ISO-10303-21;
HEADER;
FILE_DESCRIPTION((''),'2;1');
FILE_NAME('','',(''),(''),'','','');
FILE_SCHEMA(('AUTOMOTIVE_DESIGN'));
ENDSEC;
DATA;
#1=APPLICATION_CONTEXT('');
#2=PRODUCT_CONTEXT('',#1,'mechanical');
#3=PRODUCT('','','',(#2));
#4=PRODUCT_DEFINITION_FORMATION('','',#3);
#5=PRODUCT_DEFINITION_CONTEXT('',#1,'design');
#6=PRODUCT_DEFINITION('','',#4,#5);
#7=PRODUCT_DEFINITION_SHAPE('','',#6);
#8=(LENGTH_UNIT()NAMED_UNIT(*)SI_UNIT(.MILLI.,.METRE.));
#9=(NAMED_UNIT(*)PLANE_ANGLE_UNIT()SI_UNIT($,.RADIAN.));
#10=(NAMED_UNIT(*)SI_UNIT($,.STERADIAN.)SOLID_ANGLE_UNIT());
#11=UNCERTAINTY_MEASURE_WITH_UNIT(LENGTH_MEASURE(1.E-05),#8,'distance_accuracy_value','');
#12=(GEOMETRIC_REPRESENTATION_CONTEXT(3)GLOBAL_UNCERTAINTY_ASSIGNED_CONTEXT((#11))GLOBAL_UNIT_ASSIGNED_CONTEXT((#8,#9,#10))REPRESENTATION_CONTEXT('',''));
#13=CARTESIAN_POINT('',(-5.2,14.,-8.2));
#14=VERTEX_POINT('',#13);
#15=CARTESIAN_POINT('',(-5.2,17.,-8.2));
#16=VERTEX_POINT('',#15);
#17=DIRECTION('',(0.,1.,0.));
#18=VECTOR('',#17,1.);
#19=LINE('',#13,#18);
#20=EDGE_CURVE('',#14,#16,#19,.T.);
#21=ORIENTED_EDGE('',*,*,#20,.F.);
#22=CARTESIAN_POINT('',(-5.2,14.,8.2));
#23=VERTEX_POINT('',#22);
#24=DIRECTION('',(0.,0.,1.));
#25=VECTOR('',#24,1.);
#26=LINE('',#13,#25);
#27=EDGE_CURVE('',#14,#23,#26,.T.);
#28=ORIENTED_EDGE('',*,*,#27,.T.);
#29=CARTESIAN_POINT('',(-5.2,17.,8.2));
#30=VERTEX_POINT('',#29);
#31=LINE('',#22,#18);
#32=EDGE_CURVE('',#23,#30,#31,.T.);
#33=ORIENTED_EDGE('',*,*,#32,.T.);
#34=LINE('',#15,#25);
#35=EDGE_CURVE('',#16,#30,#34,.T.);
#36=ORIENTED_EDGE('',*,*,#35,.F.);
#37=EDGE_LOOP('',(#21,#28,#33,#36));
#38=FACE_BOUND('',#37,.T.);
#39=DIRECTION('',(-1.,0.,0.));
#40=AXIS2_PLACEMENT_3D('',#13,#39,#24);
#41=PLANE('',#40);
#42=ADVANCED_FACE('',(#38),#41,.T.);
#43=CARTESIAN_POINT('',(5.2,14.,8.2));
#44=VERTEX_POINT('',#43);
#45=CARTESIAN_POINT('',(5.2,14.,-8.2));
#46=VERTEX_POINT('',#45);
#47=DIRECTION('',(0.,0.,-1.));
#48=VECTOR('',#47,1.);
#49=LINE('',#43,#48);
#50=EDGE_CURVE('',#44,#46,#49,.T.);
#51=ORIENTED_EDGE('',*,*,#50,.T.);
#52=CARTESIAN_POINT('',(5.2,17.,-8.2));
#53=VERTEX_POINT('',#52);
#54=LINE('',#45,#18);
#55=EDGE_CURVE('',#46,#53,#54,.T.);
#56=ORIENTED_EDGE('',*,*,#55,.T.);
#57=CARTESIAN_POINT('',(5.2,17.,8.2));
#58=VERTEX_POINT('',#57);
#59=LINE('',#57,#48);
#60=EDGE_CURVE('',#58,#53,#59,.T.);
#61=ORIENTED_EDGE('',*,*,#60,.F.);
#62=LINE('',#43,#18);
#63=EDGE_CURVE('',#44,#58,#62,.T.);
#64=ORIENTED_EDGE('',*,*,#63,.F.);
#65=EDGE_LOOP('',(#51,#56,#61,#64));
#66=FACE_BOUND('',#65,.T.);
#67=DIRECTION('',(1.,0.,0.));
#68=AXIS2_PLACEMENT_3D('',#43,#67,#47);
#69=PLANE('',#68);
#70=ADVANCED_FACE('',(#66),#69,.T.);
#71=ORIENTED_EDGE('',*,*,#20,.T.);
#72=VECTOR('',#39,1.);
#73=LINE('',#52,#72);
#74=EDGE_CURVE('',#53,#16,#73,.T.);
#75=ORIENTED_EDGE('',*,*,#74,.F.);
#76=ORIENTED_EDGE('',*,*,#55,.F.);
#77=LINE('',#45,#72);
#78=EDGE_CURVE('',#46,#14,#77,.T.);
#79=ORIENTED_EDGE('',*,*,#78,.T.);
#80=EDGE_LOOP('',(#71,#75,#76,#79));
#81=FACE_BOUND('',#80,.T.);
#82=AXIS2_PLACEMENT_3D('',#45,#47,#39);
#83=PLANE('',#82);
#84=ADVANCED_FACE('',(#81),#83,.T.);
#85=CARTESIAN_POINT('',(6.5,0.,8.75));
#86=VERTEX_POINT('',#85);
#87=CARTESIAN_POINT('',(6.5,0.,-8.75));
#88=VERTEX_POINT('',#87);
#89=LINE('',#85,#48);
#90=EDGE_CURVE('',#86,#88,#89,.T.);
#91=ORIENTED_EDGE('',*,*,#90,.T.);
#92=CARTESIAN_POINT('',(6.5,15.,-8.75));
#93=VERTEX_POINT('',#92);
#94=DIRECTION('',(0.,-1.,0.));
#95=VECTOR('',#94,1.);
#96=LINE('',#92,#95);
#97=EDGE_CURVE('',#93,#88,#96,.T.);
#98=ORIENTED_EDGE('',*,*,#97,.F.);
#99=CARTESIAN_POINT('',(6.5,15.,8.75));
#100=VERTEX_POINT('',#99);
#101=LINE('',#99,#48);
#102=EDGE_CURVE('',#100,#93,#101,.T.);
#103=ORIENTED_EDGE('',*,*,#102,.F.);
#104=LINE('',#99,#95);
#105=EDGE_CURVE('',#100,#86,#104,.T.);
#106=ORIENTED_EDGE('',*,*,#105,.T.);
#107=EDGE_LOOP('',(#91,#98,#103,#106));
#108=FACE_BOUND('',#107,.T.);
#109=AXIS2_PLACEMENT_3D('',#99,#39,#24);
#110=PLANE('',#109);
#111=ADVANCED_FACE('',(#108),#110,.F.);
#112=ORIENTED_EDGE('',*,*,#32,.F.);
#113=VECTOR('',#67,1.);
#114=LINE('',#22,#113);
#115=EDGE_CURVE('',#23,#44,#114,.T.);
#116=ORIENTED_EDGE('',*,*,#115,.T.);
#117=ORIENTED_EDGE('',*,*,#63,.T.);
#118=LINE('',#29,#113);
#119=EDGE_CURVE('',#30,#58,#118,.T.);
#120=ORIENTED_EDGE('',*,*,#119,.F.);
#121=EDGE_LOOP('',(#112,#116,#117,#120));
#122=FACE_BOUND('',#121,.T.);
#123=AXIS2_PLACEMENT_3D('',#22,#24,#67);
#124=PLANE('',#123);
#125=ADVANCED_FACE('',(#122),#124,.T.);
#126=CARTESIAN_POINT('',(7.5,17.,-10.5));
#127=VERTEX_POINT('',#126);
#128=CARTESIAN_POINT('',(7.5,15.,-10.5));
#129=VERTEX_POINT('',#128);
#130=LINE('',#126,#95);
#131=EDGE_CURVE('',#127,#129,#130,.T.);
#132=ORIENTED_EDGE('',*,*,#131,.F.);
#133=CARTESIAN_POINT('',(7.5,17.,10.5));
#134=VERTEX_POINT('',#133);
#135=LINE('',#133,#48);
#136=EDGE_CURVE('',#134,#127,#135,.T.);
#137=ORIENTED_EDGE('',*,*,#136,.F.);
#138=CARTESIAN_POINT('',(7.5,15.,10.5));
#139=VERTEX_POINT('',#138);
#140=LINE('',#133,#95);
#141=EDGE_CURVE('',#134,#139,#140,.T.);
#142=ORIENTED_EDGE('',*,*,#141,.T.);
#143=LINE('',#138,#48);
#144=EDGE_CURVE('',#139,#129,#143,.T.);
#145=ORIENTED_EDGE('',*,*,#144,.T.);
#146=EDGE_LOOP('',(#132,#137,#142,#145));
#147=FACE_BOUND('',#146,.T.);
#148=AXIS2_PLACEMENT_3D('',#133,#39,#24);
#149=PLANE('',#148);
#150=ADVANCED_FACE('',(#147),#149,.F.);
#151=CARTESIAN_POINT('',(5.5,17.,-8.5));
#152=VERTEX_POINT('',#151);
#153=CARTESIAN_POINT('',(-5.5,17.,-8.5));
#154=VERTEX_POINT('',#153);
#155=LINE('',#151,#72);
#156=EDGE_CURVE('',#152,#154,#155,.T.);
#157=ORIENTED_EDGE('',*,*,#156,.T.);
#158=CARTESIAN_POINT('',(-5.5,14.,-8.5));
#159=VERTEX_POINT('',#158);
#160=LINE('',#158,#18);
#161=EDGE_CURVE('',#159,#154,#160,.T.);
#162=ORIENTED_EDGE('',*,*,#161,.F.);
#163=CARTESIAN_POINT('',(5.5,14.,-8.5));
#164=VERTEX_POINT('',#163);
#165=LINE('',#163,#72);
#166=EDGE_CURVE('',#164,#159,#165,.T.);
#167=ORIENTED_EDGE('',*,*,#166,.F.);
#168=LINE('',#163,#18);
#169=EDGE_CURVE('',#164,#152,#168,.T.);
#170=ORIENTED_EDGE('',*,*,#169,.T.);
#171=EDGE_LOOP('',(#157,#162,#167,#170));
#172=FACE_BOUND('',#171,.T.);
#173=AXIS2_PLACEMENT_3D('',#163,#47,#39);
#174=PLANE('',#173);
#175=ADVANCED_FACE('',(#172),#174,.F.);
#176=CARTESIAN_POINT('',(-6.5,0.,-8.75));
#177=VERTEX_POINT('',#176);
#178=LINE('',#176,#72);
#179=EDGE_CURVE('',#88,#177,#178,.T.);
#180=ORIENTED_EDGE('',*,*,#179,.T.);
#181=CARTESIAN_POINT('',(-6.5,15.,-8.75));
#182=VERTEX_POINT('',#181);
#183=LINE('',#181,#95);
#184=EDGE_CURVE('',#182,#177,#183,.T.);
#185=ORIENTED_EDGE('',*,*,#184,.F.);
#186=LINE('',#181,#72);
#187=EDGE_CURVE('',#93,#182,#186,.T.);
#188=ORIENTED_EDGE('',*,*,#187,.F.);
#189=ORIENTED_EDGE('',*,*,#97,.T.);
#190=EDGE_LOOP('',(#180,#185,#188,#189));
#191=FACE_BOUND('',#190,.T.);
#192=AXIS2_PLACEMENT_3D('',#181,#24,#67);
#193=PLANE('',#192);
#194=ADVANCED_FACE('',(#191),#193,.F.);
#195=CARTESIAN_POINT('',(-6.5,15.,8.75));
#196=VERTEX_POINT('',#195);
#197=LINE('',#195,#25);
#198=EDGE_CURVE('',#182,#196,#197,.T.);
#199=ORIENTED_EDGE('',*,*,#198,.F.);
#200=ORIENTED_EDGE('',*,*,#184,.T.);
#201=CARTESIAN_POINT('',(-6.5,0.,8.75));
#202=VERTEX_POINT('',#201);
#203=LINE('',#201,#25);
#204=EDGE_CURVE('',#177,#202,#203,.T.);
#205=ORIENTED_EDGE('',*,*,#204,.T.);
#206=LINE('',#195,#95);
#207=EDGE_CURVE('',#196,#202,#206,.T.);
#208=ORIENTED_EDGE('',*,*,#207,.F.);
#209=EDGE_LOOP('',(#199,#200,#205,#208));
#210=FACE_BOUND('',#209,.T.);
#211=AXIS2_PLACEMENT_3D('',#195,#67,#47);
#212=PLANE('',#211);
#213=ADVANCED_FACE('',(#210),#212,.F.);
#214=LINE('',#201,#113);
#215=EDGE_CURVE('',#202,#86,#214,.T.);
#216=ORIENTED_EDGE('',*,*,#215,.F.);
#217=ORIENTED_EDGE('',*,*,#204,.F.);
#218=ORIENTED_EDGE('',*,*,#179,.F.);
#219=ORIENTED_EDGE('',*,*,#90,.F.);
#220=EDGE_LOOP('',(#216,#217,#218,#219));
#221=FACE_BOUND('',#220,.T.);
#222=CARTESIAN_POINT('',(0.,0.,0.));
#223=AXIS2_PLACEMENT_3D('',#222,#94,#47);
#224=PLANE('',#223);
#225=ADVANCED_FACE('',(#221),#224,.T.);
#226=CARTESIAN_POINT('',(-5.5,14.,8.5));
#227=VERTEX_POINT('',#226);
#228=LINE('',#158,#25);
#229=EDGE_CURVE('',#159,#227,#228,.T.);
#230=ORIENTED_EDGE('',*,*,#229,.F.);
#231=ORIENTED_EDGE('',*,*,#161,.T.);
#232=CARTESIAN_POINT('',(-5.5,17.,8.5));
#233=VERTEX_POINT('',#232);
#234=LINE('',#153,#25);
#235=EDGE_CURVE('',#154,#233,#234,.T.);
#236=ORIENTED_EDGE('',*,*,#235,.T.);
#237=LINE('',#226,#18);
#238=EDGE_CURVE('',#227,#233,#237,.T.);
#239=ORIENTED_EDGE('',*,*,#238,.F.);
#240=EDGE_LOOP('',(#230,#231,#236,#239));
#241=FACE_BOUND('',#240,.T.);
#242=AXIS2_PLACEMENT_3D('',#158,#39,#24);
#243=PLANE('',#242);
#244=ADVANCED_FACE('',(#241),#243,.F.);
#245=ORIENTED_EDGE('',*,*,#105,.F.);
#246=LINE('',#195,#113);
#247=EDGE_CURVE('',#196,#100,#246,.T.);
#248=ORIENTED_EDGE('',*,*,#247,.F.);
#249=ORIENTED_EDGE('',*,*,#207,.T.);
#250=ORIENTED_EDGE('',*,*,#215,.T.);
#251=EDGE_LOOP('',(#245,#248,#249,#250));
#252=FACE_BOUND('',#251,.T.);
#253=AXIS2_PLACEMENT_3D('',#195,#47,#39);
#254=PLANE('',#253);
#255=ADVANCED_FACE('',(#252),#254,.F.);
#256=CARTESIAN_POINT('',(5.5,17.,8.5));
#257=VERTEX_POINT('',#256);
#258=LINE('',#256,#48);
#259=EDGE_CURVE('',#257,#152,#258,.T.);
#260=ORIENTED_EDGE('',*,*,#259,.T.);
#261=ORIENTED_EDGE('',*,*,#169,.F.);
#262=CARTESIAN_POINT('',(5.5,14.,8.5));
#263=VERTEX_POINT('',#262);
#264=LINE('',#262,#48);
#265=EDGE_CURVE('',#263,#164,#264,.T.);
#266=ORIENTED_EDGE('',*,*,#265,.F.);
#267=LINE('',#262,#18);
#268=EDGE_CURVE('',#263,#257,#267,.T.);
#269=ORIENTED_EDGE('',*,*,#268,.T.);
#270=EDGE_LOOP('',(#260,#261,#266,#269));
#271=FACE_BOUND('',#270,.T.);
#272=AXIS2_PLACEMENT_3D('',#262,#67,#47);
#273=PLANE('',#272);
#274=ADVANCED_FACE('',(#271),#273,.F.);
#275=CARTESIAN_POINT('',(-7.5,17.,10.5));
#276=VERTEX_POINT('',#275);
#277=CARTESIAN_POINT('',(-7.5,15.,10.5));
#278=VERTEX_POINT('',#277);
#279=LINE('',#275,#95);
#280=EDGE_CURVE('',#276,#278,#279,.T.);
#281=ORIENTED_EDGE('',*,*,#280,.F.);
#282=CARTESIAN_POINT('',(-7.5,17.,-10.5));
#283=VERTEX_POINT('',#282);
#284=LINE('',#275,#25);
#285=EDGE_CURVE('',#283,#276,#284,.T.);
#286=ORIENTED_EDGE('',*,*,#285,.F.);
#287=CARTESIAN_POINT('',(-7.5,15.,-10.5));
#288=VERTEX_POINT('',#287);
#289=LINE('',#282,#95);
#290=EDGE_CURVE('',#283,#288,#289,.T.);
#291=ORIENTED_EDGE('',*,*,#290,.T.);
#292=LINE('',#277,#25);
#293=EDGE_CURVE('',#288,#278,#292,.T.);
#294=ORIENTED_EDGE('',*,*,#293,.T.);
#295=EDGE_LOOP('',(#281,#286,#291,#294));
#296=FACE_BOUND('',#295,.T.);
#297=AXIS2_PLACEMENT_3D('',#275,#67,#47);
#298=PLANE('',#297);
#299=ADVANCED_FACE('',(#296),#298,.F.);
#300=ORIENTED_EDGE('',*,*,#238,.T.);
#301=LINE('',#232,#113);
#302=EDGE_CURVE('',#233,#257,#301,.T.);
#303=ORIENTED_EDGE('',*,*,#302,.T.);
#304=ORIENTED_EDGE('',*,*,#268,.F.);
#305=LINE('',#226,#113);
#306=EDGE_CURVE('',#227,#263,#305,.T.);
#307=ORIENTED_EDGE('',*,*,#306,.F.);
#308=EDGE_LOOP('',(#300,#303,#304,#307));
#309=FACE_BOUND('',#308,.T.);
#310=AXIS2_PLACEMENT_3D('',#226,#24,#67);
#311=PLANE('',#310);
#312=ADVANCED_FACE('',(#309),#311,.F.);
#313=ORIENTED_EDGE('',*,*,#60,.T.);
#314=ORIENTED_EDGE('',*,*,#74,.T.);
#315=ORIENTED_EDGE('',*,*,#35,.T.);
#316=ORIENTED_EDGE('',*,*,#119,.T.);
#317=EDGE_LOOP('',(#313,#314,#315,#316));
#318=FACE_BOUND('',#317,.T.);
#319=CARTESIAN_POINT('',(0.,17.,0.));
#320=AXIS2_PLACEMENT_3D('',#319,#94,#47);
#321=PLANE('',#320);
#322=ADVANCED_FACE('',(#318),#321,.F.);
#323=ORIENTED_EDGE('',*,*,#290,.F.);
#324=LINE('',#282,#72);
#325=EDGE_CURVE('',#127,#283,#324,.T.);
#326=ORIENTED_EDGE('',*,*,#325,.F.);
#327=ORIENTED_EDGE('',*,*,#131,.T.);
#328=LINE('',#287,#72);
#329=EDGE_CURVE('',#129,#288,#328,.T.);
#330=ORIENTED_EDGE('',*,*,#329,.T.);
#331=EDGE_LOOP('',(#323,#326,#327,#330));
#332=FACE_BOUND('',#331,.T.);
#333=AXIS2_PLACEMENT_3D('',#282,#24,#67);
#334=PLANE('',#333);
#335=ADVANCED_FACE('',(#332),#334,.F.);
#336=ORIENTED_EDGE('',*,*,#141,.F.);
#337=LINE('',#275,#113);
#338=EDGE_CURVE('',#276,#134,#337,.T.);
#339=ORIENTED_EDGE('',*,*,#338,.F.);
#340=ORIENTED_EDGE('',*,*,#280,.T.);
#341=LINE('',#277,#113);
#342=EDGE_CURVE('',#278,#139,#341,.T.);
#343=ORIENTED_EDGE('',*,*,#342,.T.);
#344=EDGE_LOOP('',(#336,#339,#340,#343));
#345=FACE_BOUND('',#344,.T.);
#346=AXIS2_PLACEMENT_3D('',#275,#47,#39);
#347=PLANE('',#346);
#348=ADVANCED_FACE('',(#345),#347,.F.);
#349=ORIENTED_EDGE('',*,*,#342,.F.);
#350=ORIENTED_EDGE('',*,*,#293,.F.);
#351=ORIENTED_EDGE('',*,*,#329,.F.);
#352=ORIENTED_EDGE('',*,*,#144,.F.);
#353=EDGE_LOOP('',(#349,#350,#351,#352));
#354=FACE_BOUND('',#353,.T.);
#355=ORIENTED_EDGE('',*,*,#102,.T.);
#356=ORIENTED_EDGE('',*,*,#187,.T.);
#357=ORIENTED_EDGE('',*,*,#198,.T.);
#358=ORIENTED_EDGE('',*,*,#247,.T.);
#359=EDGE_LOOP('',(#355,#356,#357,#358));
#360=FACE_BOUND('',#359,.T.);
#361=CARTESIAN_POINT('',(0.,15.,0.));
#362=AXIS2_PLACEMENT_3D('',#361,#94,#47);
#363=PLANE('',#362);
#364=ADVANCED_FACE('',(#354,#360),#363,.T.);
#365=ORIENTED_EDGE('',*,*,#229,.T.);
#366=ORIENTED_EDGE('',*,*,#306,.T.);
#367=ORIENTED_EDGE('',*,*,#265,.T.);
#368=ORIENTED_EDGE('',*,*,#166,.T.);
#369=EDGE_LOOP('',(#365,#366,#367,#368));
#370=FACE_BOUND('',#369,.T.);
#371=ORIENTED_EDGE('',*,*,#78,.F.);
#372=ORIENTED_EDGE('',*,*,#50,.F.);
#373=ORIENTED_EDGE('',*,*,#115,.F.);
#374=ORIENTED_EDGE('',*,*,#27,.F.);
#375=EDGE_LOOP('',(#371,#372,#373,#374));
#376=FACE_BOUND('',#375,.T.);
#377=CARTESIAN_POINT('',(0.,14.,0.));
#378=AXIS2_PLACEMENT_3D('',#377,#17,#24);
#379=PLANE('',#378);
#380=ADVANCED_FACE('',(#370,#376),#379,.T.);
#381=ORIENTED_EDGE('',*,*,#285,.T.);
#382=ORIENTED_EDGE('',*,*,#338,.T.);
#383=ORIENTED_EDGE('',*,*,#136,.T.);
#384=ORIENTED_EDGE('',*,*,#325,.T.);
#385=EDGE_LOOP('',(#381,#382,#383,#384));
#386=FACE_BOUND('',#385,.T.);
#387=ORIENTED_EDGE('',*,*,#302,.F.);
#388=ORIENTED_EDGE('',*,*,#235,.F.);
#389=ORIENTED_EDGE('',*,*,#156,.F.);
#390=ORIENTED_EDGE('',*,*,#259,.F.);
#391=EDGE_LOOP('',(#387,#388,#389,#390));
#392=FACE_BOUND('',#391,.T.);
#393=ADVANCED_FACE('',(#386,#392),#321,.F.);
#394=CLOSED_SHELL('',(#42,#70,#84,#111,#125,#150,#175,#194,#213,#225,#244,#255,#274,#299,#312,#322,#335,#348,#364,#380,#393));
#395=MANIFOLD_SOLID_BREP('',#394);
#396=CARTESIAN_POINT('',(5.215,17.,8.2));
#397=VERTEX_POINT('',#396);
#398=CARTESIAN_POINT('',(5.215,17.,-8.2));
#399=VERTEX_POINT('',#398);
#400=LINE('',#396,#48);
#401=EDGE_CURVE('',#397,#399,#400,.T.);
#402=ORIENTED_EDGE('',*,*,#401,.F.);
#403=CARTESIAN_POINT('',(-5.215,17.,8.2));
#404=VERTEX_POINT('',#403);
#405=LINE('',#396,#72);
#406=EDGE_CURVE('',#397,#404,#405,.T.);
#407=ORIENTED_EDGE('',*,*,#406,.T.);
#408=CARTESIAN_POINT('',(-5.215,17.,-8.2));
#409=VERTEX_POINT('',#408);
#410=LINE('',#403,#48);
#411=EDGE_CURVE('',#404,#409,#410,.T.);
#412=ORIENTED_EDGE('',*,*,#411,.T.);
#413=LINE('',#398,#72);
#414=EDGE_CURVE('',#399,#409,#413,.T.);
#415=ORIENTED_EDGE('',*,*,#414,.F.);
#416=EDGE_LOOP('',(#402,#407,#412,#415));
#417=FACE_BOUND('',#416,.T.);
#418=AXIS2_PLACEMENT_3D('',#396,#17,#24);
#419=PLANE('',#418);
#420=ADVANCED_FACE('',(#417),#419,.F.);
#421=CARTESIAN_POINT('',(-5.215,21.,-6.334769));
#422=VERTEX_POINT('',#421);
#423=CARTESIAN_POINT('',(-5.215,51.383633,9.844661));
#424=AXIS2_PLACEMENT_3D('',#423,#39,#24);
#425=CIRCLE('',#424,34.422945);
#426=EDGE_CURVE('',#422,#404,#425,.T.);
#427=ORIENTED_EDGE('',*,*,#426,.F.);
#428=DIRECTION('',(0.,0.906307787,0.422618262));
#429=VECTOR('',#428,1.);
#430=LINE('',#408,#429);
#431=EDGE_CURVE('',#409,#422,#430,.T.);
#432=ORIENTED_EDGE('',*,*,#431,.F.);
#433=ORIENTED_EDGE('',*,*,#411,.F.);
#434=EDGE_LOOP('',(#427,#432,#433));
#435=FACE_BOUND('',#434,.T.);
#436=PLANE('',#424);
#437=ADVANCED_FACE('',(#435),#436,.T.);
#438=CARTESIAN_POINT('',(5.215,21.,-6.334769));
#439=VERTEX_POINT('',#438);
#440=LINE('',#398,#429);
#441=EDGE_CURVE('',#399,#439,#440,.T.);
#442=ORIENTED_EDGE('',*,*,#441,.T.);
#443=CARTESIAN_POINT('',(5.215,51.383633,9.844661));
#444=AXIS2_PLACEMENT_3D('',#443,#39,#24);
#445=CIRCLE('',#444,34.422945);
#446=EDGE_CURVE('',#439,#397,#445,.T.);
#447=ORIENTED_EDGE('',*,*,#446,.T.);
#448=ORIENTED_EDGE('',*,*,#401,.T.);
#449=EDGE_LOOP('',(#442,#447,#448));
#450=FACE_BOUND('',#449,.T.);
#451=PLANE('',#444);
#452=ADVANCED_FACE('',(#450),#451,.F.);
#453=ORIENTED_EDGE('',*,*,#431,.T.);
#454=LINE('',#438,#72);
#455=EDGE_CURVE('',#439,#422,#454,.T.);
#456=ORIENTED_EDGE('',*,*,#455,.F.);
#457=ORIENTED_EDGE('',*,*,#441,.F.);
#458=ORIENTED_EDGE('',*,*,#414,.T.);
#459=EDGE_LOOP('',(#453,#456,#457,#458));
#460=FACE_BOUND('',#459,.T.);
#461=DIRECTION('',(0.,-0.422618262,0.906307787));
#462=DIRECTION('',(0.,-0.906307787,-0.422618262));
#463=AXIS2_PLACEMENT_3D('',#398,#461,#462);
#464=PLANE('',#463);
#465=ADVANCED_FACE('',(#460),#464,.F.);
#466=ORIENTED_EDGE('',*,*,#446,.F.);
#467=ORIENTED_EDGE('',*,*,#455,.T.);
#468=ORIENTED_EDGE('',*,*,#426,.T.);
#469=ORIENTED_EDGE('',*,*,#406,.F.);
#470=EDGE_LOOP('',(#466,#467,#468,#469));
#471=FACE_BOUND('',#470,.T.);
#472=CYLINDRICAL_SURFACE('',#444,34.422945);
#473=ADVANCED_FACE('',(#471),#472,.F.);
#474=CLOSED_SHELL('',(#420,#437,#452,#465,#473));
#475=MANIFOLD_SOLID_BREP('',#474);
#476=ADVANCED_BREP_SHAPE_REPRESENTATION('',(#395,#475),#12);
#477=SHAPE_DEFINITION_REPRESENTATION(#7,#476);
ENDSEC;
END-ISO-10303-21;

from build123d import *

# Parameters (mm, degrees)
SKETCH_1_W          = 13
SKETCH_1_H          = 17.5
EXTRUDE_1_DEPTH     = 15
SKETCH_2_W          = 15
SKETCH_2_H          = 21
EXTRUDE_2_DEPTH     = 2
SKETCH_3_W          = 11
SKETCH_3_H          = 17
SKETCH_3_W_2        = 10.4
SKETCH_3_H_2        = 16.4
CUT_EXTRUDE_1_DEPTH = 3
EXTRUDE_3_DEPTH     = 5.215


with BuildPart() as part:
    # 草图1 → 凸台-拉伸1 (new body)
    with BuildSketch(Plane(origin=(0, 0, 0), x_dir=(1, 0, 0), z_dir=(0, 1, 0))):
        Rectangle(SKETCH_1_W, SKETCH_1_H)
    extrude(amount=EXTRUDE_1_DEPTH)

    # 草图2 → 凸台-拉伸2 (add)
    with BuildSketch(Plane(origin=(0, 15, 0), x_dir=(1, 0, 0), z_dir=(0, 1, 0))):
        Rectangle(SKETCH_2_W, SKETCH_2_H)
    extrude(amount=EXTRUDE_2_DEPTH)

    # 草图3 → 切除-拉伸1 (cut)
    with BuildSketch(Plane(origin=(0, 17, 0), x_dir=(1, 0, 0), z_dir=(0, 1, 0))):
        Rectangle(SKETCH_3_W, SKETCH_3_H)
        Rectangle(SKETCH_3_W_2, SKETCH_3_H_2, mode=Mode.SUBTRACT)
    extrude(amount=-CUT_EXTRUDE_1_DEPTH, mode=Mode.SUBTRACT)


with BuildPart() as body_2:
    # 草图4 → 凸台-拉伸3 (new, symmetric)
    with BuildSketch(Plane(origin=(0, 0, 0), x_dir=(0, 0, -1), z_dir=(1, 0, 0))):
        with BuildLine():
            Line((8.2, 17), (6.334769367, 21))
            ThreePointArc((6.334769367, 21), (-0.710956487, 18.194560008), (-8.2, 17))
            Line((-8.2, 17), (8.2, 17))
        make_face()
    extrude(amount=EXTRUDE_3_DEPTH, both=True)


solid = Compound([part.part, body_2.part])
